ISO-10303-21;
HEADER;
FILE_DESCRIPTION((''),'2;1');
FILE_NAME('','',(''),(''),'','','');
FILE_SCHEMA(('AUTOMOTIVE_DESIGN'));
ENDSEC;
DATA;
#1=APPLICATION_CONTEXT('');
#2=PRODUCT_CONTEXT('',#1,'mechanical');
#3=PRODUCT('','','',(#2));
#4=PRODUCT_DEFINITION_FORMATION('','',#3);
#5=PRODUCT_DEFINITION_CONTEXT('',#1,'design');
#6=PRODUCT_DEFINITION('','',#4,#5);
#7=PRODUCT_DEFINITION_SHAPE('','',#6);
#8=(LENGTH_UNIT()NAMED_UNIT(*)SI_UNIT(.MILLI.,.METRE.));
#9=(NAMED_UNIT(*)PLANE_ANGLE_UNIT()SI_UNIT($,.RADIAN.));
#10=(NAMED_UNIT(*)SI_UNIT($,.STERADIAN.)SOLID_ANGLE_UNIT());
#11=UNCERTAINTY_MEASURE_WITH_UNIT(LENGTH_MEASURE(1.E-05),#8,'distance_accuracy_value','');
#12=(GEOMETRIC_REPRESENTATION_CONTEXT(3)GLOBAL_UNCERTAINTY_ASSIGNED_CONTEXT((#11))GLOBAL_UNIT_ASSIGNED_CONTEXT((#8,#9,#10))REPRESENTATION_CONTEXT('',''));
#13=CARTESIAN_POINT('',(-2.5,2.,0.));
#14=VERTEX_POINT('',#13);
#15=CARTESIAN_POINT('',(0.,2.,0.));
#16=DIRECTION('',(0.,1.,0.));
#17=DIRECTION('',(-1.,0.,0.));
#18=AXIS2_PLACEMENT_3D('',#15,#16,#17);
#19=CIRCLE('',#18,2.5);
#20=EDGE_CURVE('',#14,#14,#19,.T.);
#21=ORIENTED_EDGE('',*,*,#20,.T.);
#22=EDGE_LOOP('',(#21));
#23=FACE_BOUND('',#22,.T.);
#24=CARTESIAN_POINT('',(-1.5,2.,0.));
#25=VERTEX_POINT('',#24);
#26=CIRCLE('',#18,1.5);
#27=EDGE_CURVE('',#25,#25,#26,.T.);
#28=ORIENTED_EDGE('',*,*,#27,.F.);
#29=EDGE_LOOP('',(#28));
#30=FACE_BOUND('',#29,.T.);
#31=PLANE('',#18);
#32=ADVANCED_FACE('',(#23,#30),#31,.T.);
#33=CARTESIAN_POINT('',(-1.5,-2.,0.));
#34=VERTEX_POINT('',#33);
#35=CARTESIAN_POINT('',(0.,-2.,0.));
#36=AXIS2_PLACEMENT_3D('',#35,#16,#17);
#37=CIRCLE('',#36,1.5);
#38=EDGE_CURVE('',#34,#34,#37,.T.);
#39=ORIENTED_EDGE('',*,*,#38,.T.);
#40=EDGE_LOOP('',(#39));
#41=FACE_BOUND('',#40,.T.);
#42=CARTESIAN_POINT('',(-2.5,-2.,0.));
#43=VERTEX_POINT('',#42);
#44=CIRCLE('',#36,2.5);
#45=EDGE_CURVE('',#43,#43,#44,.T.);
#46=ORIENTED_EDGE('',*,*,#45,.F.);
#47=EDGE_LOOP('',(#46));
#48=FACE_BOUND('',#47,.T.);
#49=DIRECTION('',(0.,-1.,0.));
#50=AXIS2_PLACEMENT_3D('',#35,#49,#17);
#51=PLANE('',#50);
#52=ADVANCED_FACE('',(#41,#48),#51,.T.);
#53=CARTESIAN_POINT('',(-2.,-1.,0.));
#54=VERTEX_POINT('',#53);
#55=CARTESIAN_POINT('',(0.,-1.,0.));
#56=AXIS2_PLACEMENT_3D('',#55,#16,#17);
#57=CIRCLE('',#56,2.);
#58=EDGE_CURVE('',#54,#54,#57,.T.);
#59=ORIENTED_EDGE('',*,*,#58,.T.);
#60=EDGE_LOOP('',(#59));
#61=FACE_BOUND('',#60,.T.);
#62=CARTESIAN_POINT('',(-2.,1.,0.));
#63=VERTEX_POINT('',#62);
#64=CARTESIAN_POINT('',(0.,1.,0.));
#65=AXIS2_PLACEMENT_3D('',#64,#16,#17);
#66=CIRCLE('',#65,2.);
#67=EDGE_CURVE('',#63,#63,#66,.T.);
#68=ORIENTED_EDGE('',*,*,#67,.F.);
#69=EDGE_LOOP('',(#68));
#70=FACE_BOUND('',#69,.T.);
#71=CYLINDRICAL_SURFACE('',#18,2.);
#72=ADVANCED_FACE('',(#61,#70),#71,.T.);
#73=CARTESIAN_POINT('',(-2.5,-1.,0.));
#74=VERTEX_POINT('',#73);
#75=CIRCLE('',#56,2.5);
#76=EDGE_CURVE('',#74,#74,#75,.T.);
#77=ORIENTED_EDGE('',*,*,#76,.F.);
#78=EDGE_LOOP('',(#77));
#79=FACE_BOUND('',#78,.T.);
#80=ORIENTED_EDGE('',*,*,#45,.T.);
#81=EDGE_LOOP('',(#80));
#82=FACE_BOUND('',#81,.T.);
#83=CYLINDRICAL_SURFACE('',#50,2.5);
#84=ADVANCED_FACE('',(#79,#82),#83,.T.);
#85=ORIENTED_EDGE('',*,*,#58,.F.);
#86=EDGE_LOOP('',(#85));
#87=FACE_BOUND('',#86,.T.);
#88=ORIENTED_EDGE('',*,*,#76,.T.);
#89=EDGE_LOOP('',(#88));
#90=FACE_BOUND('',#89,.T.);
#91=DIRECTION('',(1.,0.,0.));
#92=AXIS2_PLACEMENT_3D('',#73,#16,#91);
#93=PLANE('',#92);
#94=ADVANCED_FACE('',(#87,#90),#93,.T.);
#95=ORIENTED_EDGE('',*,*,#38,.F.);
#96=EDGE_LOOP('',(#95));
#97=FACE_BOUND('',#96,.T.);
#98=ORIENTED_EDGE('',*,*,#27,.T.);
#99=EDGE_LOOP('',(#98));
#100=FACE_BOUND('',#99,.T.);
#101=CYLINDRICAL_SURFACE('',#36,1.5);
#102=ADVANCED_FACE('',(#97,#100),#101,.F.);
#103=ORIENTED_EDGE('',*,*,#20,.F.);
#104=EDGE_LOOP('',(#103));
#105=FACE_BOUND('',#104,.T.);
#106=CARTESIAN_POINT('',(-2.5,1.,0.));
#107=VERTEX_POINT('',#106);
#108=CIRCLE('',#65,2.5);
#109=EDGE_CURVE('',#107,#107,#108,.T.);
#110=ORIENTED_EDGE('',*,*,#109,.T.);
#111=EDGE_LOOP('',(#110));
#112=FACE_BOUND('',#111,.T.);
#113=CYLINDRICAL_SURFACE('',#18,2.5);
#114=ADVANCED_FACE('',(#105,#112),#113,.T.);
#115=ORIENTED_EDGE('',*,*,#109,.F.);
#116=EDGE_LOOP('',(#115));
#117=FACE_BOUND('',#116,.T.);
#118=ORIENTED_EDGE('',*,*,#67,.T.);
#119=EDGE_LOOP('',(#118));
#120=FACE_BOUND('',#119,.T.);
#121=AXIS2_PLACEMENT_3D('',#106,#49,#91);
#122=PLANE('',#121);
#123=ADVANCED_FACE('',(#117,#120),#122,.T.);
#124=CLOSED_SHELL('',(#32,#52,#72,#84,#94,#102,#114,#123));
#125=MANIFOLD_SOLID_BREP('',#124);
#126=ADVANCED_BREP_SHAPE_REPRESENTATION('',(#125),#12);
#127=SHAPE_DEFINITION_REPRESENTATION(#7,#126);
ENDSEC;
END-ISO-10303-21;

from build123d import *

# Parameters (mm, degrees)
SKETCH2_R          = 1.5
CUT_EXTRUDE1_DEPTH = 6.338539126


with BuildPart() as part:
    # Sketch1 → Revolve1 (revolve)
    with BuildSketch(Plane.XY):
        Polygon((0, 2), (0, 0), (-2, 0), (-2, 1), (-2.5, 1), (-2.5, 2), align=None)
    revolve1 = revolve(axis=Axis((0, 2, 0), (0, -1, 0)))

    # Mirror1: Revolve1 across plane
    add(revolve1.mirror(Plane(origin=(-2, 0, 0), x_dir=(0, 0, 1), z_dir=(0, -1, 0))))

    # Sketch2 → Cut-Extrude1 (cut, through all)
    with BuildSketch(Plane(origin=(0, 2, 0), x_dir=(1, 0, 0), z_dir=(0, 1, 0))):
        with Locations(Location((0, 0, 0), (0, 0, 180))):
            Circle(SKETCH2_R)
    extrude(amount=-CUT_EXTRUDE1_DEPTH, mode=Mode.SUBTRACT)


solid = part.part
